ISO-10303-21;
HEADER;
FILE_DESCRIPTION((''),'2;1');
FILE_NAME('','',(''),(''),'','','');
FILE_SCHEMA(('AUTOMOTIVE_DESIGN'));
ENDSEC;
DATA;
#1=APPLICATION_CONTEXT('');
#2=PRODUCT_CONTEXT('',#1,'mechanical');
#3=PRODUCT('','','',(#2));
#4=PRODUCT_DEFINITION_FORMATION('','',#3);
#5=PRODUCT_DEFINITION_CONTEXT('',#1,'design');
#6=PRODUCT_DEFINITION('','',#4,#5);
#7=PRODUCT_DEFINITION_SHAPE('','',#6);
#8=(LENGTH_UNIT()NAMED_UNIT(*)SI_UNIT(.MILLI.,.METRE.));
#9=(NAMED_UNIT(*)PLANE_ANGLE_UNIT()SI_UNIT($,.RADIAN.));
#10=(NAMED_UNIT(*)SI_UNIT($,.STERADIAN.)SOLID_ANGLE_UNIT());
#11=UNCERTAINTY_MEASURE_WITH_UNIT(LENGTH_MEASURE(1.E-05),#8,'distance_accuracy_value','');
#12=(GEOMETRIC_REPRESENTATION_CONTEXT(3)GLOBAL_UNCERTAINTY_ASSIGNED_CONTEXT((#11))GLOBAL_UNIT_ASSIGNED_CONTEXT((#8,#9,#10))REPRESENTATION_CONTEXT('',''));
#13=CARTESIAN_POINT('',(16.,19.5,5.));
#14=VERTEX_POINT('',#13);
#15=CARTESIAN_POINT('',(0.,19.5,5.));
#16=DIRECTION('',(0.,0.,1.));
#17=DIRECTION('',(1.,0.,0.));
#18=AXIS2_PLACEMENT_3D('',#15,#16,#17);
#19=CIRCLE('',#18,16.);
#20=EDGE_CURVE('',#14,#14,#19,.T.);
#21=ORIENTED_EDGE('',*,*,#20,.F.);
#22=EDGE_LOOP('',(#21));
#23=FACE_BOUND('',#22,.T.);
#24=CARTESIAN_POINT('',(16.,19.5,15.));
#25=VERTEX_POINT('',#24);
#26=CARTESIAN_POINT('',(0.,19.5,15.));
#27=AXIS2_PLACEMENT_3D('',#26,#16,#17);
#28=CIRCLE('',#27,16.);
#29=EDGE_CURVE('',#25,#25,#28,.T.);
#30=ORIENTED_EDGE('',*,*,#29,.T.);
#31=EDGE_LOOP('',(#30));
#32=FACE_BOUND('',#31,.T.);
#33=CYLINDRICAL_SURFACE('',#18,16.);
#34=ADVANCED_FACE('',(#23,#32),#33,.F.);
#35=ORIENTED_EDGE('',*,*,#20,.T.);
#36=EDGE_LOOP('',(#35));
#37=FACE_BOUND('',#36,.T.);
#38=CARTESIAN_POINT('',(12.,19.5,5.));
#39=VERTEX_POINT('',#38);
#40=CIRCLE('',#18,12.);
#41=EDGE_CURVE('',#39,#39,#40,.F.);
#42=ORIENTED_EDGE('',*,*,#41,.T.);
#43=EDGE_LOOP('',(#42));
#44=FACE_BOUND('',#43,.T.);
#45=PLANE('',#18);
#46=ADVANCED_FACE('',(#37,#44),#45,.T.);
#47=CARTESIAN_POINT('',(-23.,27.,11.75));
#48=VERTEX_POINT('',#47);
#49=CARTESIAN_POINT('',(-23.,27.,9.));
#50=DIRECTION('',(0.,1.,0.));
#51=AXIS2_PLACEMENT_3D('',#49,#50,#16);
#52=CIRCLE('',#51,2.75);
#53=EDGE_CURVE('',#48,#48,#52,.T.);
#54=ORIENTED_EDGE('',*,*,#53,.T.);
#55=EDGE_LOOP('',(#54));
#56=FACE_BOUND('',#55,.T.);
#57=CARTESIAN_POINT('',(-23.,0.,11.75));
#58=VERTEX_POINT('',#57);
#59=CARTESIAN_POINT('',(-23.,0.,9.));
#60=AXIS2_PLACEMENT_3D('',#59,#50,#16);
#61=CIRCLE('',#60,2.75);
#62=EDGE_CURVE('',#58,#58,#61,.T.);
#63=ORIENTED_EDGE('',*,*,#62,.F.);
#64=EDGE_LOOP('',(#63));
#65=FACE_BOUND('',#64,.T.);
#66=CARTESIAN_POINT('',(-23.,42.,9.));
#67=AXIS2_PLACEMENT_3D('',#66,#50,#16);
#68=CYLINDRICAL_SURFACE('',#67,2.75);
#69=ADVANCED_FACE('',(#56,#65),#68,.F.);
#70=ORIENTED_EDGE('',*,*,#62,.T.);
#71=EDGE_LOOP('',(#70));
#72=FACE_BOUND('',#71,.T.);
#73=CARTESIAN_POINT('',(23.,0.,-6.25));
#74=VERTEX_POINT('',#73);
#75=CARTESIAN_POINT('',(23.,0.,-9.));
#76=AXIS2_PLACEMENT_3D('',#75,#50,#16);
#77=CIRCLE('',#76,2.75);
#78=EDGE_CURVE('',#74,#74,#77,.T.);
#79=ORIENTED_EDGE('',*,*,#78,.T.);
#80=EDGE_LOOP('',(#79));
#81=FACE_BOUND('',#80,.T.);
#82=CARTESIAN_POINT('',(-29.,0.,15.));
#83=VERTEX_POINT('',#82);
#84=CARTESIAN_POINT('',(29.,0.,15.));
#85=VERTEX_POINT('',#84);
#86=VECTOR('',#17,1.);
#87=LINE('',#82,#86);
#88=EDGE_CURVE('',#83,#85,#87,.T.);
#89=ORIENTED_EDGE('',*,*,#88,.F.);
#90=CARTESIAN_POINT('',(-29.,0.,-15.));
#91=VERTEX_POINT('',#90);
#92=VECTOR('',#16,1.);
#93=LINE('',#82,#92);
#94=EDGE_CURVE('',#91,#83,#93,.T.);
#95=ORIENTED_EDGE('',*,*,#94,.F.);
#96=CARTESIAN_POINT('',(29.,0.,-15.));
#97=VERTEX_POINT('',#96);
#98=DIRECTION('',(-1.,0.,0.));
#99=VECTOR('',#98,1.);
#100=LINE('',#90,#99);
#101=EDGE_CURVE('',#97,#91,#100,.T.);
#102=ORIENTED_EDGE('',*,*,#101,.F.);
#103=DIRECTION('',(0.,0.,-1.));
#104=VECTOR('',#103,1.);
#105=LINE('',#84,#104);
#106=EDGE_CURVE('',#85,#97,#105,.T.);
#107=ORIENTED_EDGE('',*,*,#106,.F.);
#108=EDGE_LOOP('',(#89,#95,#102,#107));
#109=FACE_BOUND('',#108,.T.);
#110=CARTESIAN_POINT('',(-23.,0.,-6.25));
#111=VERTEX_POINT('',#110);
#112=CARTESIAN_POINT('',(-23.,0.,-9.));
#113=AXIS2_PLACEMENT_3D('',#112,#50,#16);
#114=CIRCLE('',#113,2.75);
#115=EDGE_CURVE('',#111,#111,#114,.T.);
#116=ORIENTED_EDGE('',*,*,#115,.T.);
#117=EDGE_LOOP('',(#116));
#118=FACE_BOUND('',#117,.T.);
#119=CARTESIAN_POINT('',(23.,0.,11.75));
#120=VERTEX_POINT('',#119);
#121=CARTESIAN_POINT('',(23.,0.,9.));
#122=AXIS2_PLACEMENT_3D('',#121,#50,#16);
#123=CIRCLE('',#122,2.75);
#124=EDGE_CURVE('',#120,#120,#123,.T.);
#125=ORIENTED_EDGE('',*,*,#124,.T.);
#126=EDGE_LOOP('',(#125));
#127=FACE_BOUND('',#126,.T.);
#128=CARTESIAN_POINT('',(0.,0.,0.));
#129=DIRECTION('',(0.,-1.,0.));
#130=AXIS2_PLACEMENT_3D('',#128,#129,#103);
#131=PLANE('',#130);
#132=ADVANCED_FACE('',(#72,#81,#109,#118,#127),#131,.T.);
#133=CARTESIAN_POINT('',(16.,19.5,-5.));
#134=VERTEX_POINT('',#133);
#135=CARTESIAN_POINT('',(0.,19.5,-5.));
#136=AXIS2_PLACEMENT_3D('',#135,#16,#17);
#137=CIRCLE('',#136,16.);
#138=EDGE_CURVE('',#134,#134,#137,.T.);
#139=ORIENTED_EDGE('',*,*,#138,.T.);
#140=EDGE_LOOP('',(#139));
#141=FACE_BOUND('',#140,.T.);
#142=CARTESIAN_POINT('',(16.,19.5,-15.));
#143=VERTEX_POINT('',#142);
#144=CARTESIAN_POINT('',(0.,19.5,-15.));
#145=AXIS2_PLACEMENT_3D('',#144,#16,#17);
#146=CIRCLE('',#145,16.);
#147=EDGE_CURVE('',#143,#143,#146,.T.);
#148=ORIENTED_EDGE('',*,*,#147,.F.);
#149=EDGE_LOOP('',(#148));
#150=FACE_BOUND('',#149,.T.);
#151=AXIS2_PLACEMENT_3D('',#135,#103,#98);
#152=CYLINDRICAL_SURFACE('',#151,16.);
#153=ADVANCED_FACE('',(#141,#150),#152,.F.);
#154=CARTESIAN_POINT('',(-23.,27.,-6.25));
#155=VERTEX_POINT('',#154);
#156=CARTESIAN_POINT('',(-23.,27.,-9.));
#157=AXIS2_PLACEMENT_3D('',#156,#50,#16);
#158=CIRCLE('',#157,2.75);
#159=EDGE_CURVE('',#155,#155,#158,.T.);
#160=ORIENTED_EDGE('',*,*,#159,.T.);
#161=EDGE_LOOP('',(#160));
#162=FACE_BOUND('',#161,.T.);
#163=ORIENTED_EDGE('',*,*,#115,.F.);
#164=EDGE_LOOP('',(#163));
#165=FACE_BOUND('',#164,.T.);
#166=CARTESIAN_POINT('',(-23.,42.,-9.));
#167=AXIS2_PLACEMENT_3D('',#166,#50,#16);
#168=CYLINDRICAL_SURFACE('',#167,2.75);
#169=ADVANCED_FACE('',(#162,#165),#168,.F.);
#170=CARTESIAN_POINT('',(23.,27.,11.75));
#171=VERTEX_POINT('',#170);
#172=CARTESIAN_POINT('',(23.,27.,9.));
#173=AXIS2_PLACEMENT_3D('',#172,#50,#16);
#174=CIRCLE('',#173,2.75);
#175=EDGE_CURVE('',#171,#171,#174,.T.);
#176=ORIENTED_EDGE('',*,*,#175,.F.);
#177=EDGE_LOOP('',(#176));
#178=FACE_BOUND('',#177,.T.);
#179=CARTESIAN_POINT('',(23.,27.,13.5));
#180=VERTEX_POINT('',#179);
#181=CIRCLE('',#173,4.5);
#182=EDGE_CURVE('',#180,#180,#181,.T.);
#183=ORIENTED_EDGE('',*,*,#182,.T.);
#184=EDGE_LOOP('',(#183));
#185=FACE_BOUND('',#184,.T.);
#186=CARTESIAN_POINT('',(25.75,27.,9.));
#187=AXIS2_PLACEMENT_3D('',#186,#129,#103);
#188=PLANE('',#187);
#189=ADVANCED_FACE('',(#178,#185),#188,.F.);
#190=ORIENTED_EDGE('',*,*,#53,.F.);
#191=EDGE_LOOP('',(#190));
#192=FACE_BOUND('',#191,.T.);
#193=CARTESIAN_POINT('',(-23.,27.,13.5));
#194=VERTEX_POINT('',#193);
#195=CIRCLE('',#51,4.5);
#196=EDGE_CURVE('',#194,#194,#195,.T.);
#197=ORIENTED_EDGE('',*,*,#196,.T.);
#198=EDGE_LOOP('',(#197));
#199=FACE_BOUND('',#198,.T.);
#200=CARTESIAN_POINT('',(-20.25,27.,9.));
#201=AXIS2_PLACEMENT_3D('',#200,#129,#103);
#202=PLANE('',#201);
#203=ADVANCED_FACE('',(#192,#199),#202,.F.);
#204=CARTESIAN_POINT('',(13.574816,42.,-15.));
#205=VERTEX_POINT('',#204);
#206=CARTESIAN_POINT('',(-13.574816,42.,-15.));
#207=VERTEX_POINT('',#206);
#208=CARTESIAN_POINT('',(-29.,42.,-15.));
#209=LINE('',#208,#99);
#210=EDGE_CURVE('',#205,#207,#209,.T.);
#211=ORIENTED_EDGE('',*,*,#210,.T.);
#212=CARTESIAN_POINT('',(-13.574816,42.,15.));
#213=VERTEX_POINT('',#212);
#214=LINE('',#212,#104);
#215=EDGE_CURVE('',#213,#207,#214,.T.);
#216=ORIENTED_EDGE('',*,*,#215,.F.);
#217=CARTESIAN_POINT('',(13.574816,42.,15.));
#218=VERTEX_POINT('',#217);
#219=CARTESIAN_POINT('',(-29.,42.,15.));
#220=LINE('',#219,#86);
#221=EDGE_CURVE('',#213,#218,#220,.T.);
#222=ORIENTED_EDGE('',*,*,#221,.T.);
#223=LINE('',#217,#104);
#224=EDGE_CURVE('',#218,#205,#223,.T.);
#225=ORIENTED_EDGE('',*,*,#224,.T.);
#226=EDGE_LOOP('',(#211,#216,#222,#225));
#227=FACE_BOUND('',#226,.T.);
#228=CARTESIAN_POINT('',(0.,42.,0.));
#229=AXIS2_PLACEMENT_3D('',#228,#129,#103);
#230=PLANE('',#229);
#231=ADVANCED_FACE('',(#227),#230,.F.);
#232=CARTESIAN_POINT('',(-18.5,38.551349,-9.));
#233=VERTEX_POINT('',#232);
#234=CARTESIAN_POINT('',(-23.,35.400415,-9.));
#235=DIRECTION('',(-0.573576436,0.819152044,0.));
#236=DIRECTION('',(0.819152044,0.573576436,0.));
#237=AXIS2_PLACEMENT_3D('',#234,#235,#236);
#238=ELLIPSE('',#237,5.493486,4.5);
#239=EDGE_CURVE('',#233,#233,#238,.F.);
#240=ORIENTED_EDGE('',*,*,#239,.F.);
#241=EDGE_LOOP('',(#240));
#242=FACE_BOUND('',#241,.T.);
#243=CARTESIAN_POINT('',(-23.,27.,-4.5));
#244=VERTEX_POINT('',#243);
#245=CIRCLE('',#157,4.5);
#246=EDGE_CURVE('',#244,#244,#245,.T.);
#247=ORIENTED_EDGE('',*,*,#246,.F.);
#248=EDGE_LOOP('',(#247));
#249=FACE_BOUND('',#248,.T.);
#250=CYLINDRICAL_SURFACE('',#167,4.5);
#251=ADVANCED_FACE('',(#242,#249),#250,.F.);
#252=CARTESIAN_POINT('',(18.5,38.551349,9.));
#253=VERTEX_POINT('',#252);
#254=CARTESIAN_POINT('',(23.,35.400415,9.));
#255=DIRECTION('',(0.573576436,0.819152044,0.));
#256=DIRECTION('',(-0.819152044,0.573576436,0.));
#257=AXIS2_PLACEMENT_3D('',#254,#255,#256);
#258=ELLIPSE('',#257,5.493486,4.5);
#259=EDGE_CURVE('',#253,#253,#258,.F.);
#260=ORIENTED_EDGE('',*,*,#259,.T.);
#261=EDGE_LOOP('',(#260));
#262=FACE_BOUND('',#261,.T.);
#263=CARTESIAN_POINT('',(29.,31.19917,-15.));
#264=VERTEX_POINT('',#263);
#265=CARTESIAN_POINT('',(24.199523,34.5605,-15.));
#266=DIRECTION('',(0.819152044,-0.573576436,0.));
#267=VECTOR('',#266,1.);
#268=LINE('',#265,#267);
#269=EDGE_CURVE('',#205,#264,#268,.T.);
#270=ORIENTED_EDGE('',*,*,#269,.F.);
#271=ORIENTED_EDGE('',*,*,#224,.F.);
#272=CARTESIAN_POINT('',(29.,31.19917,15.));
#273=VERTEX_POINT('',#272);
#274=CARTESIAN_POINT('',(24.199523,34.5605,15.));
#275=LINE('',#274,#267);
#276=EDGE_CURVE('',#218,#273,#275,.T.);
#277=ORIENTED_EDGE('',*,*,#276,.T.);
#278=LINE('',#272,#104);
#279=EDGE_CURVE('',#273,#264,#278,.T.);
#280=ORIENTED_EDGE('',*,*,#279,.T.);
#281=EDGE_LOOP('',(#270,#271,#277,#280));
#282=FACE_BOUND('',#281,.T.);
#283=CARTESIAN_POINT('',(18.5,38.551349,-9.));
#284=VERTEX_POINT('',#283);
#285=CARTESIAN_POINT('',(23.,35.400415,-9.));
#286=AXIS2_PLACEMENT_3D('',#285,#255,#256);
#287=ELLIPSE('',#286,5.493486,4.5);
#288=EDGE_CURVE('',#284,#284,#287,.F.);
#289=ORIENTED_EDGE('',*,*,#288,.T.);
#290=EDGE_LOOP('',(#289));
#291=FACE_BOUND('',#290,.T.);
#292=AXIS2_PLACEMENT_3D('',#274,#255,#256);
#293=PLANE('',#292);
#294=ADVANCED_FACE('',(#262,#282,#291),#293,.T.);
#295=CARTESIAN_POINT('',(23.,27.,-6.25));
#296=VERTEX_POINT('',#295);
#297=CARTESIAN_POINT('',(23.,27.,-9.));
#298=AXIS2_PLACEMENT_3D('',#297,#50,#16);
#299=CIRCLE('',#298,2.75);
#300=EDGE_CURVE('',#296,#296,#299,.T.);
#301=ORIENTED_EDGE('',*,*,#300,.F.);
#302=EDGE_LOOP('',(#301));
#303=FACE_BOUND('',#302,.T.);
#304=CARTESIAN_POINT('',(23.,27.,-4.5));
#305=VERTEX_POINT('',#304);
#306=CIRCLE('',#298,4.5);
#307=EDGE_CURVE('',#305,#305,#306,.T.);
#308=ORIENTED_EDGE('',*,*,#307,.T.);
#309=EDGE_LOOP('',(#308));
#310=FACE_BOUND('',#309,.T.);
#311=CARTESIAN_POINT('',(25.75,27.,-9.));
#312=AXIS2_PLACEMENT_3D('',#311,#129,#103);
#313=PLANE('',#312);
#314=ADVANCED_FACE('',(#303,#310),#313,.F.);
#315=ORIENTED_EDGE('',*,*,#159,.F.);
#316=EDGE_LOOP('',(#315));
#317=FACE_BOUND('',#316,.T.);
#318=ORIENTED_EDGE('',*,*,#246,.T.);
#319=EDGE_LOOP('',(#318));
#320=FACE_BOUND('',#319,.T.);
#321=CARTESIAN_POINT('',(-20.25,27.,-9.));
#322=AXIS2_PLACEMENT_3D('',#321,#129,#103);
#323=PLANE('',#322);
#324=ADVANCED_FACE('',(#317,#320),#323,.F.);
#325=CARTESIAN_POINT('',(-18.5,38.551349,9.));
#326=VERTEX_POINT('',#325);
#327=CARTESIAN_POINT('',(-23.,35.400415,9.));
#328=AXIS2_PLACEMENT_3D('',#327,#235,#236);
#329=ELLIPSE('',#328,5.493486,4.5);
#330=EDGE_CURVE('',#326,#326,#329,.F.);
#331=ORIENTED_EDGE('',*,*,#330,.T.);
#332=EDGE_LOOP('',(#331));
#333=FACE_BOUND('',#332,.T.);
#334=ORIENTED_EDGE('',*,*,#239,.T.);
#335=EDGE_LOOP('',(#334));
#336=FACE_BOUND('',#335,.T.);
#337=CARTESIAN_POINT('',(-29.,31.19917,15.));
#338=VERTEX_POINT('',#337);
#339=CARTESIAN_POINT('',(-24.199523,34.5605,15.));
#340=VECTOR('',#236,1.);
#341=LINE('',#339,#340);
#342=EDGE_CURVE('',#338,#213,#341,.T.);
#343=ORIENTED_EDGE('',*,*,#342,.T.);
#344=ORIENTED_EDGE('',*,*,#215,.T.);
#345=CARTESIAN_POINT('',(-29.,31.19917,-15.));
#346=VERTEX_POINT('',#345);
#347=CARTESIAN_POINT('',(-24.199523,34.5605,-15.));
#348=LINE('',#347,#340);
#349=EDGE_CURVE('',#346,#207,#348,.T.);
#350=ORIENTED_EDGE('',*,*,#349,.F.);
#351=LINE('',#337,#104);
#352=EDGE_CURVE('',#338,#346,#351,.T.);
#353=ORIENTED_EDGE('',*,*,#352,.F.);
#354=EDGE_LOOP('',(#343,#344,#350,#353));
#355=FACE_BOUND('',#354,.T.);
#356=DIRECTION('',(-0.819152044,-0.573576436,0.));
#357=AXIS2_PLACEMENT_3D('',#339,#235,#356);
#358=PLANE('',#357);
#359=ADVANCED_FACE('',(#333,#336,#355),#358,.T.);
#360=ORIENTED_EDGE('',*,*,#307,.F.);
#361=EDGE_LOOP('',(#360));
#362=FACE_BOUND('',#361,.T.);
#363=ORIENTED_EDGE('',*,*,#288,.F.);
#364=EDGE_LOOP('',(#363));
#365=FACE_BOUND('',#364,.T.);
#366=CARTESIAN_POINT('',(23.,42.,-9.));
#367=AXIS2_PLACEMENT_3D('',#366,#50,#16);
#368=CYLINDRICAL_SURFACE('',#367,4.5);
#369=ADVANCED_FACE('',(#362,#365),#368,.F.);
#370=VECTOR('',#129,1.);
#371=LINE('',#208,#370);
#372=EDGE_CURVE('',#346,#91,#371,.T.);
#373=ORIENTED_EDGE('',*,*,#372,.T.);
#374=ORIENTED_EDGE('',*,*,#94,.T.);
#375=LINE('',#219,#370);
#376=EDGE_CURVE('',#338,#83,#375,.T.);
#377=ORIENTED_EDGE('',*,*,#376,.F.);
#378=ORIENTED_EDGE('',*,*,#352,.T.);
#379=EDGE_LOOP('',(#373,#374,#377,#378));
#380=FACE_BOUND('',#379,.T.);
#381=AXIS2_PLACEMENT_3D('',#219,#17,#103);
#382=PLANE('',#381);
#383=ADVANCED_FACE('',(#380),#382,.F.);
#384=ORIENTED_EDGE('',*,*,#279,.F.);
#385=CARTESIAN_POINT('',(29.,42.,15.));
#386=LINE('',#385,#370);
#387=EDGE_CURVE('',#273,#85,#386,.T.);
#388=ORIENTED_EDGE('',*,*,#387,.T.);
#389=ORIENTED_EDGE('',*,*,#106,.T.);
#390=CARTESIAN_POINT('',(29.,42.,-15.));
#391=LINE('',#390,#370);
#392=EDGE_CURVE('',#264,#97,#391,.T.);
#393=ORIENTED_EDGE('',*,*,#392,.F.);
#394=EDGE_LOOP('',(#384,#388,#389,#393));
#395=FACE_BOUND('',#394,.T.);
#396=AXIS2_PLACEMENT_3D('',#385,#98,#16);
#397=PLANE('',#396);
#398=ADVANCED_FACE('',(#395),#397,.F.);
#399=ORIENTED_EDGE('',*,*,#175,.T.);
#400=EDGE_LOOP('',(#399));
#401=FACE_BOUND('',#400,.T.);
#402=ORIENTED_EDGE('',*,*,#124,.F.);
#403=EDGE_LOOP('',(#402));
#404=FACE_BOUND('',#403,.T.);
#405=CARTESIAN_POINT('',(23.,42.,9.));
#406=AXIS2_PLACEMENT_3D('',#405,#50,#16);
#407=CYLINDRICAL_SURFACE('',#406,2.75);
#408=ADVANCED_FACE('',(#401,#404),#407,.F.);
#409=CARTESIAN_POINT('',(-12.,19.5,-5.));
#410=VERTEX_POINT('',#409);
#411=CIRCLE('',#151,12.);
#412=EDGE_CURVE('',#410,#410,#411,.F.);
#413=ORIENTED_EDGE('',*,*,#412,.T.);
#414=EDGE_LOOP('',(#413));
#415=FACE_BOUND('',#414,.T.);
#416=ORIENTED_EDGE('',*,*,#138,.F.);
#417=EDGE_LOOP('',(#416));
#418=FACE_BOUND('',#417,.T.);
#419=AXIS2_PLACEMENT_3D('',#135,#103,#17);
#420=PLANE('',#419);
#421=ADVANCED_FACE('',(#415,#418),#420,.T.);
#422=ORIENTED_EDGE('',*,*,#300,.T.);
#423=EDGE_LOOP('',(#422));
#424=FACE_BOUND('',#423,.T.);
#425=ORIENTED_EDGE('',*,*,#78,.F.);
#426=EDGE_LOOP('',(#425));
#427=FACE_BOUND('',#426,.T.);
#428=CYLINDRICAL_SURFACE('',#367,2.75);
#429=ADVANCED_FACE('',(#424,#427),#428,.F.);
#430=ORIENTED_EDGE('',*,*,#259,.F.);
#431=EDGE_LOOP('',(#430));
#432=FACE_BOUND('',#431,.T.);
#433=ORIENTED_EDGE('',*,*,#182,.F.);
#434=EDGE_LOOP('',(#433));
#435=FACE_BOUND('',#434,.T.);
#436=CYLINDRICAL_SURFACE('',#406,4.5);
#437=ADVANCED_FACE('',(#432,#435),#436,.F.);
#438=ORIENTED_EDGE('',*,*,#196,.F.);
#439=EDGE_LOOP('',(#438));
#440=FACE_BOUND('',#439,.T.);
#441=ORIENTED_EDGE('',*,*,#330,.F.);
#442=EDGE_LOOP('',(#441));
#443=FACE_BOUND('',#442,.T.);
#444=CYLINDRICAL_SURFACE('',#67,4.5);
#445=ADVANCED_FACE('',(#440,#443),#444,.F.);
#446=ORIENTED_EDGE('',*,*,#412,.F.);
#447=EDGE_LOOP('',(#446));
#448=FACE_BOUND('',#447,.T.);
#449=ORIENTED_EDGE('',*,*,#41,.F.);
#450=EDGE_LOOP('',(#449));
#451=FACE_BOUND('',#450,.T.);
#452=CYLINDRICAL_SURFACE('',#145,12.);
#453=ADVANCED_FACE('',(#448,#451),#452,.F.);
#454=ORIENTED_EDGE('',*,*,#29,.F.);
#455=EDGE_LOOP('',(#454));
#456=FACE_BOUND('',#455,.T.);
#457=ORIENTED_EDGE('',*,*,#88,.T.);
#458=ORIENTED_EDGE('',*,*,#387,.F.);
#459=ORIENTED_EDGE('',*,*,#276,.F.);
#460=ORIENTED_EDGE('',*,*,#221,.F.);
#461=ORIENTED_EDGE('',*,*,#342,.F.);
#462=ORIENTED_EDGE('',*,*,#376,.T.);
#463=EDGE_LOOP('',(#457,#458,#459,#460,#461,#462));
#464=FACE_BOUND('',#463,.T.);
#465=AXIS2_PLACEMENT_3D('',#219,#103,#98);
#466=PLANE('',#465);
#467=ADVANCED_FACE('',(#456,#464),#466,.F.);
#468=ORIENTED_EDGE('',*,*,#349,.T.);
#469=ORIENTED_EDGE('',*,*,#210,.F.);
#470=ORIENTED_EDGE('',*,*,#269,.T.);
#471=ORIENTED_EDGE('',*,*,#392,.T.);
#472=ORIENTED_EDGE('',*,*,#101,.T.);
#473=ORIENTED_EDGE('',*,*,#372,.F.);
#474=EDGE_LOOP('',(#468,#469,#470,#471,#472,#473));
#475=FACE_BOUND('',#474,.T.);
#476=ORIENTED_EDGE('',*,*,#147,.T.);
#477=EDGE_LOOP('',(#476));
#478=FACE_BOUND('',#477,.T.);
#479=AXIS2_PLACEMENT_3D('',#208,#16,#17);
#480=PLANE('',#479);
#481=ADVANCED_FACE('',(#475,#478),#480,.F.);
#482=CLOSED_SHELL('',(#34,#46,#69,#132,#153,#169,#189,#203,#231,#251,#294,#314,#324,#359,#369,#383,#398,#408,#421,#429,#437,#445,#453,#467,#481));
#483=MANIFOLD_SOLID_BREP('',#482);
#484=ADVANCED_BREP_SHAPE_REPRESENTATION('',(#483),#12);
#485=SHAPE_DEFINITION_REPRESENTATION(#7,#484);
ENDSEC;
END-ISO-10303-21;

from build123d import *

# Parameters (mm, degrees)
SZKIC1_W                                             = 58
SZKIC1_H                                             = 30
DODANIE_WYCI_GNI_CIE1_DEPTH                          = 42
SZKIC3_R                                             = 12
WYTNIJ_WYCI_GNI_CIE2_DEPTH                           = 60.203040462
SZKIC4_R                                             = 16
WYTNIJ_WYCI_GNI_CIE3_DEPTH                           = 10
POG_BIENIE_WALCOWE_POD_M5_WKR_T_DO_CZ_CI_D           = 5.5
POG_BIENIE_WALCOWE_POD_M5_WKR_T_DO_CZ_CI_CBORE_D     = 9
POG_BIENIE_WALCOWE_POD_M5_WKR_T_DO_CZ_CI_CBORE_DEPTH = 15
WYTNIJ_WYCI_GNI_CIE4_DEPTH                           = 60.203040462


with BuildPart() as part:
    # Szkic1 → Dodanie-wyciągnięcie1 (new body)
    with BuildSketch(Plane(origin=(0, 0, 0), x_dir=(1, 0, 0), z_dir=(0, 1, 0))):
        Rectangle(SZKIC1_W, SZKIC1_H)
    extrude(amount=DODANIE_WYCI_GNI_CIE1_DEPTH)

    # Szkic3 → Wytnij-wyciągnięcie2 (cut, through all)
    with BuildSketch(Plane.XY.offset(15)):
        with Locations((0, 19.5)):
            Circle(SZKIC3_R)
    extrude(amount=-WYTNIJ_WYCI_GNI_CIE2_DEPTH, mode=Mode.SUBTRACT)

    # Szkic4 → Wytnij-wyciągnięcie3 (cut)
    with BuildSketch(Plane.XY.offset(15)):
        with Locations((0, 19.5)):
            Circle(SZKIC4_R)
    wytnij_wyci_gni_cie3 = extrude(amount=-WYTNIJ_WYCI_GNI_CIE3_DEPTH, mode=Mode.SUBTRACT)

    # Lustro1: Wytnij-wyciągnięcie3 across plane
    add(wytnij_wyci_gni_cie3.mirror(Plane.XY), mode=Mode.SUBTRACT)

    # Pogłębienie walcowe pod M5 Wkręt do części metalowych z łbem sześciokątnym1 (through all)
    with Locations(Plane(origin=(0, 42, 0), x_dir=(1, 0, 0), z_dir=(0, 1, 0))):
        with Locations((-23, -9), (-23, 9), (23, -9), (23, 9)):
            CounterBoreHole(POG_BIENIE_WALCOWE_POD_M5_WKR_T_DO_CZ_CI_D / 2, POG_BIENIE_WALCOWE_POD_M5_WKR_T_DO_CZ_CI_CBORE_D / 2, POG_BIENIE_WALCOWE_POD_M5_WKR_T_DO_CZ_CI_CBORE_DEPTH)

    # Szkic10 → Wytnij-wyciągnięcie4 (cut, through all)
    with BuildSketch(Plane(origin=(0, 0, -15), x_dir=(-1, 0, 0), z_dir=(0, 0, -1))):
        Polygon((-29, 31.199169847), (-13.574815946, 42), (-29, 42), align=None)
        Polygon((13.574815946, 42), (29, 31.199169847), (29, 42), align=None)
    extrude(amount=-WYTNIJ_WYCI_GNI_CIE4_DEPTH, mode=Mode.SUBTRACT)


solid = part.part
